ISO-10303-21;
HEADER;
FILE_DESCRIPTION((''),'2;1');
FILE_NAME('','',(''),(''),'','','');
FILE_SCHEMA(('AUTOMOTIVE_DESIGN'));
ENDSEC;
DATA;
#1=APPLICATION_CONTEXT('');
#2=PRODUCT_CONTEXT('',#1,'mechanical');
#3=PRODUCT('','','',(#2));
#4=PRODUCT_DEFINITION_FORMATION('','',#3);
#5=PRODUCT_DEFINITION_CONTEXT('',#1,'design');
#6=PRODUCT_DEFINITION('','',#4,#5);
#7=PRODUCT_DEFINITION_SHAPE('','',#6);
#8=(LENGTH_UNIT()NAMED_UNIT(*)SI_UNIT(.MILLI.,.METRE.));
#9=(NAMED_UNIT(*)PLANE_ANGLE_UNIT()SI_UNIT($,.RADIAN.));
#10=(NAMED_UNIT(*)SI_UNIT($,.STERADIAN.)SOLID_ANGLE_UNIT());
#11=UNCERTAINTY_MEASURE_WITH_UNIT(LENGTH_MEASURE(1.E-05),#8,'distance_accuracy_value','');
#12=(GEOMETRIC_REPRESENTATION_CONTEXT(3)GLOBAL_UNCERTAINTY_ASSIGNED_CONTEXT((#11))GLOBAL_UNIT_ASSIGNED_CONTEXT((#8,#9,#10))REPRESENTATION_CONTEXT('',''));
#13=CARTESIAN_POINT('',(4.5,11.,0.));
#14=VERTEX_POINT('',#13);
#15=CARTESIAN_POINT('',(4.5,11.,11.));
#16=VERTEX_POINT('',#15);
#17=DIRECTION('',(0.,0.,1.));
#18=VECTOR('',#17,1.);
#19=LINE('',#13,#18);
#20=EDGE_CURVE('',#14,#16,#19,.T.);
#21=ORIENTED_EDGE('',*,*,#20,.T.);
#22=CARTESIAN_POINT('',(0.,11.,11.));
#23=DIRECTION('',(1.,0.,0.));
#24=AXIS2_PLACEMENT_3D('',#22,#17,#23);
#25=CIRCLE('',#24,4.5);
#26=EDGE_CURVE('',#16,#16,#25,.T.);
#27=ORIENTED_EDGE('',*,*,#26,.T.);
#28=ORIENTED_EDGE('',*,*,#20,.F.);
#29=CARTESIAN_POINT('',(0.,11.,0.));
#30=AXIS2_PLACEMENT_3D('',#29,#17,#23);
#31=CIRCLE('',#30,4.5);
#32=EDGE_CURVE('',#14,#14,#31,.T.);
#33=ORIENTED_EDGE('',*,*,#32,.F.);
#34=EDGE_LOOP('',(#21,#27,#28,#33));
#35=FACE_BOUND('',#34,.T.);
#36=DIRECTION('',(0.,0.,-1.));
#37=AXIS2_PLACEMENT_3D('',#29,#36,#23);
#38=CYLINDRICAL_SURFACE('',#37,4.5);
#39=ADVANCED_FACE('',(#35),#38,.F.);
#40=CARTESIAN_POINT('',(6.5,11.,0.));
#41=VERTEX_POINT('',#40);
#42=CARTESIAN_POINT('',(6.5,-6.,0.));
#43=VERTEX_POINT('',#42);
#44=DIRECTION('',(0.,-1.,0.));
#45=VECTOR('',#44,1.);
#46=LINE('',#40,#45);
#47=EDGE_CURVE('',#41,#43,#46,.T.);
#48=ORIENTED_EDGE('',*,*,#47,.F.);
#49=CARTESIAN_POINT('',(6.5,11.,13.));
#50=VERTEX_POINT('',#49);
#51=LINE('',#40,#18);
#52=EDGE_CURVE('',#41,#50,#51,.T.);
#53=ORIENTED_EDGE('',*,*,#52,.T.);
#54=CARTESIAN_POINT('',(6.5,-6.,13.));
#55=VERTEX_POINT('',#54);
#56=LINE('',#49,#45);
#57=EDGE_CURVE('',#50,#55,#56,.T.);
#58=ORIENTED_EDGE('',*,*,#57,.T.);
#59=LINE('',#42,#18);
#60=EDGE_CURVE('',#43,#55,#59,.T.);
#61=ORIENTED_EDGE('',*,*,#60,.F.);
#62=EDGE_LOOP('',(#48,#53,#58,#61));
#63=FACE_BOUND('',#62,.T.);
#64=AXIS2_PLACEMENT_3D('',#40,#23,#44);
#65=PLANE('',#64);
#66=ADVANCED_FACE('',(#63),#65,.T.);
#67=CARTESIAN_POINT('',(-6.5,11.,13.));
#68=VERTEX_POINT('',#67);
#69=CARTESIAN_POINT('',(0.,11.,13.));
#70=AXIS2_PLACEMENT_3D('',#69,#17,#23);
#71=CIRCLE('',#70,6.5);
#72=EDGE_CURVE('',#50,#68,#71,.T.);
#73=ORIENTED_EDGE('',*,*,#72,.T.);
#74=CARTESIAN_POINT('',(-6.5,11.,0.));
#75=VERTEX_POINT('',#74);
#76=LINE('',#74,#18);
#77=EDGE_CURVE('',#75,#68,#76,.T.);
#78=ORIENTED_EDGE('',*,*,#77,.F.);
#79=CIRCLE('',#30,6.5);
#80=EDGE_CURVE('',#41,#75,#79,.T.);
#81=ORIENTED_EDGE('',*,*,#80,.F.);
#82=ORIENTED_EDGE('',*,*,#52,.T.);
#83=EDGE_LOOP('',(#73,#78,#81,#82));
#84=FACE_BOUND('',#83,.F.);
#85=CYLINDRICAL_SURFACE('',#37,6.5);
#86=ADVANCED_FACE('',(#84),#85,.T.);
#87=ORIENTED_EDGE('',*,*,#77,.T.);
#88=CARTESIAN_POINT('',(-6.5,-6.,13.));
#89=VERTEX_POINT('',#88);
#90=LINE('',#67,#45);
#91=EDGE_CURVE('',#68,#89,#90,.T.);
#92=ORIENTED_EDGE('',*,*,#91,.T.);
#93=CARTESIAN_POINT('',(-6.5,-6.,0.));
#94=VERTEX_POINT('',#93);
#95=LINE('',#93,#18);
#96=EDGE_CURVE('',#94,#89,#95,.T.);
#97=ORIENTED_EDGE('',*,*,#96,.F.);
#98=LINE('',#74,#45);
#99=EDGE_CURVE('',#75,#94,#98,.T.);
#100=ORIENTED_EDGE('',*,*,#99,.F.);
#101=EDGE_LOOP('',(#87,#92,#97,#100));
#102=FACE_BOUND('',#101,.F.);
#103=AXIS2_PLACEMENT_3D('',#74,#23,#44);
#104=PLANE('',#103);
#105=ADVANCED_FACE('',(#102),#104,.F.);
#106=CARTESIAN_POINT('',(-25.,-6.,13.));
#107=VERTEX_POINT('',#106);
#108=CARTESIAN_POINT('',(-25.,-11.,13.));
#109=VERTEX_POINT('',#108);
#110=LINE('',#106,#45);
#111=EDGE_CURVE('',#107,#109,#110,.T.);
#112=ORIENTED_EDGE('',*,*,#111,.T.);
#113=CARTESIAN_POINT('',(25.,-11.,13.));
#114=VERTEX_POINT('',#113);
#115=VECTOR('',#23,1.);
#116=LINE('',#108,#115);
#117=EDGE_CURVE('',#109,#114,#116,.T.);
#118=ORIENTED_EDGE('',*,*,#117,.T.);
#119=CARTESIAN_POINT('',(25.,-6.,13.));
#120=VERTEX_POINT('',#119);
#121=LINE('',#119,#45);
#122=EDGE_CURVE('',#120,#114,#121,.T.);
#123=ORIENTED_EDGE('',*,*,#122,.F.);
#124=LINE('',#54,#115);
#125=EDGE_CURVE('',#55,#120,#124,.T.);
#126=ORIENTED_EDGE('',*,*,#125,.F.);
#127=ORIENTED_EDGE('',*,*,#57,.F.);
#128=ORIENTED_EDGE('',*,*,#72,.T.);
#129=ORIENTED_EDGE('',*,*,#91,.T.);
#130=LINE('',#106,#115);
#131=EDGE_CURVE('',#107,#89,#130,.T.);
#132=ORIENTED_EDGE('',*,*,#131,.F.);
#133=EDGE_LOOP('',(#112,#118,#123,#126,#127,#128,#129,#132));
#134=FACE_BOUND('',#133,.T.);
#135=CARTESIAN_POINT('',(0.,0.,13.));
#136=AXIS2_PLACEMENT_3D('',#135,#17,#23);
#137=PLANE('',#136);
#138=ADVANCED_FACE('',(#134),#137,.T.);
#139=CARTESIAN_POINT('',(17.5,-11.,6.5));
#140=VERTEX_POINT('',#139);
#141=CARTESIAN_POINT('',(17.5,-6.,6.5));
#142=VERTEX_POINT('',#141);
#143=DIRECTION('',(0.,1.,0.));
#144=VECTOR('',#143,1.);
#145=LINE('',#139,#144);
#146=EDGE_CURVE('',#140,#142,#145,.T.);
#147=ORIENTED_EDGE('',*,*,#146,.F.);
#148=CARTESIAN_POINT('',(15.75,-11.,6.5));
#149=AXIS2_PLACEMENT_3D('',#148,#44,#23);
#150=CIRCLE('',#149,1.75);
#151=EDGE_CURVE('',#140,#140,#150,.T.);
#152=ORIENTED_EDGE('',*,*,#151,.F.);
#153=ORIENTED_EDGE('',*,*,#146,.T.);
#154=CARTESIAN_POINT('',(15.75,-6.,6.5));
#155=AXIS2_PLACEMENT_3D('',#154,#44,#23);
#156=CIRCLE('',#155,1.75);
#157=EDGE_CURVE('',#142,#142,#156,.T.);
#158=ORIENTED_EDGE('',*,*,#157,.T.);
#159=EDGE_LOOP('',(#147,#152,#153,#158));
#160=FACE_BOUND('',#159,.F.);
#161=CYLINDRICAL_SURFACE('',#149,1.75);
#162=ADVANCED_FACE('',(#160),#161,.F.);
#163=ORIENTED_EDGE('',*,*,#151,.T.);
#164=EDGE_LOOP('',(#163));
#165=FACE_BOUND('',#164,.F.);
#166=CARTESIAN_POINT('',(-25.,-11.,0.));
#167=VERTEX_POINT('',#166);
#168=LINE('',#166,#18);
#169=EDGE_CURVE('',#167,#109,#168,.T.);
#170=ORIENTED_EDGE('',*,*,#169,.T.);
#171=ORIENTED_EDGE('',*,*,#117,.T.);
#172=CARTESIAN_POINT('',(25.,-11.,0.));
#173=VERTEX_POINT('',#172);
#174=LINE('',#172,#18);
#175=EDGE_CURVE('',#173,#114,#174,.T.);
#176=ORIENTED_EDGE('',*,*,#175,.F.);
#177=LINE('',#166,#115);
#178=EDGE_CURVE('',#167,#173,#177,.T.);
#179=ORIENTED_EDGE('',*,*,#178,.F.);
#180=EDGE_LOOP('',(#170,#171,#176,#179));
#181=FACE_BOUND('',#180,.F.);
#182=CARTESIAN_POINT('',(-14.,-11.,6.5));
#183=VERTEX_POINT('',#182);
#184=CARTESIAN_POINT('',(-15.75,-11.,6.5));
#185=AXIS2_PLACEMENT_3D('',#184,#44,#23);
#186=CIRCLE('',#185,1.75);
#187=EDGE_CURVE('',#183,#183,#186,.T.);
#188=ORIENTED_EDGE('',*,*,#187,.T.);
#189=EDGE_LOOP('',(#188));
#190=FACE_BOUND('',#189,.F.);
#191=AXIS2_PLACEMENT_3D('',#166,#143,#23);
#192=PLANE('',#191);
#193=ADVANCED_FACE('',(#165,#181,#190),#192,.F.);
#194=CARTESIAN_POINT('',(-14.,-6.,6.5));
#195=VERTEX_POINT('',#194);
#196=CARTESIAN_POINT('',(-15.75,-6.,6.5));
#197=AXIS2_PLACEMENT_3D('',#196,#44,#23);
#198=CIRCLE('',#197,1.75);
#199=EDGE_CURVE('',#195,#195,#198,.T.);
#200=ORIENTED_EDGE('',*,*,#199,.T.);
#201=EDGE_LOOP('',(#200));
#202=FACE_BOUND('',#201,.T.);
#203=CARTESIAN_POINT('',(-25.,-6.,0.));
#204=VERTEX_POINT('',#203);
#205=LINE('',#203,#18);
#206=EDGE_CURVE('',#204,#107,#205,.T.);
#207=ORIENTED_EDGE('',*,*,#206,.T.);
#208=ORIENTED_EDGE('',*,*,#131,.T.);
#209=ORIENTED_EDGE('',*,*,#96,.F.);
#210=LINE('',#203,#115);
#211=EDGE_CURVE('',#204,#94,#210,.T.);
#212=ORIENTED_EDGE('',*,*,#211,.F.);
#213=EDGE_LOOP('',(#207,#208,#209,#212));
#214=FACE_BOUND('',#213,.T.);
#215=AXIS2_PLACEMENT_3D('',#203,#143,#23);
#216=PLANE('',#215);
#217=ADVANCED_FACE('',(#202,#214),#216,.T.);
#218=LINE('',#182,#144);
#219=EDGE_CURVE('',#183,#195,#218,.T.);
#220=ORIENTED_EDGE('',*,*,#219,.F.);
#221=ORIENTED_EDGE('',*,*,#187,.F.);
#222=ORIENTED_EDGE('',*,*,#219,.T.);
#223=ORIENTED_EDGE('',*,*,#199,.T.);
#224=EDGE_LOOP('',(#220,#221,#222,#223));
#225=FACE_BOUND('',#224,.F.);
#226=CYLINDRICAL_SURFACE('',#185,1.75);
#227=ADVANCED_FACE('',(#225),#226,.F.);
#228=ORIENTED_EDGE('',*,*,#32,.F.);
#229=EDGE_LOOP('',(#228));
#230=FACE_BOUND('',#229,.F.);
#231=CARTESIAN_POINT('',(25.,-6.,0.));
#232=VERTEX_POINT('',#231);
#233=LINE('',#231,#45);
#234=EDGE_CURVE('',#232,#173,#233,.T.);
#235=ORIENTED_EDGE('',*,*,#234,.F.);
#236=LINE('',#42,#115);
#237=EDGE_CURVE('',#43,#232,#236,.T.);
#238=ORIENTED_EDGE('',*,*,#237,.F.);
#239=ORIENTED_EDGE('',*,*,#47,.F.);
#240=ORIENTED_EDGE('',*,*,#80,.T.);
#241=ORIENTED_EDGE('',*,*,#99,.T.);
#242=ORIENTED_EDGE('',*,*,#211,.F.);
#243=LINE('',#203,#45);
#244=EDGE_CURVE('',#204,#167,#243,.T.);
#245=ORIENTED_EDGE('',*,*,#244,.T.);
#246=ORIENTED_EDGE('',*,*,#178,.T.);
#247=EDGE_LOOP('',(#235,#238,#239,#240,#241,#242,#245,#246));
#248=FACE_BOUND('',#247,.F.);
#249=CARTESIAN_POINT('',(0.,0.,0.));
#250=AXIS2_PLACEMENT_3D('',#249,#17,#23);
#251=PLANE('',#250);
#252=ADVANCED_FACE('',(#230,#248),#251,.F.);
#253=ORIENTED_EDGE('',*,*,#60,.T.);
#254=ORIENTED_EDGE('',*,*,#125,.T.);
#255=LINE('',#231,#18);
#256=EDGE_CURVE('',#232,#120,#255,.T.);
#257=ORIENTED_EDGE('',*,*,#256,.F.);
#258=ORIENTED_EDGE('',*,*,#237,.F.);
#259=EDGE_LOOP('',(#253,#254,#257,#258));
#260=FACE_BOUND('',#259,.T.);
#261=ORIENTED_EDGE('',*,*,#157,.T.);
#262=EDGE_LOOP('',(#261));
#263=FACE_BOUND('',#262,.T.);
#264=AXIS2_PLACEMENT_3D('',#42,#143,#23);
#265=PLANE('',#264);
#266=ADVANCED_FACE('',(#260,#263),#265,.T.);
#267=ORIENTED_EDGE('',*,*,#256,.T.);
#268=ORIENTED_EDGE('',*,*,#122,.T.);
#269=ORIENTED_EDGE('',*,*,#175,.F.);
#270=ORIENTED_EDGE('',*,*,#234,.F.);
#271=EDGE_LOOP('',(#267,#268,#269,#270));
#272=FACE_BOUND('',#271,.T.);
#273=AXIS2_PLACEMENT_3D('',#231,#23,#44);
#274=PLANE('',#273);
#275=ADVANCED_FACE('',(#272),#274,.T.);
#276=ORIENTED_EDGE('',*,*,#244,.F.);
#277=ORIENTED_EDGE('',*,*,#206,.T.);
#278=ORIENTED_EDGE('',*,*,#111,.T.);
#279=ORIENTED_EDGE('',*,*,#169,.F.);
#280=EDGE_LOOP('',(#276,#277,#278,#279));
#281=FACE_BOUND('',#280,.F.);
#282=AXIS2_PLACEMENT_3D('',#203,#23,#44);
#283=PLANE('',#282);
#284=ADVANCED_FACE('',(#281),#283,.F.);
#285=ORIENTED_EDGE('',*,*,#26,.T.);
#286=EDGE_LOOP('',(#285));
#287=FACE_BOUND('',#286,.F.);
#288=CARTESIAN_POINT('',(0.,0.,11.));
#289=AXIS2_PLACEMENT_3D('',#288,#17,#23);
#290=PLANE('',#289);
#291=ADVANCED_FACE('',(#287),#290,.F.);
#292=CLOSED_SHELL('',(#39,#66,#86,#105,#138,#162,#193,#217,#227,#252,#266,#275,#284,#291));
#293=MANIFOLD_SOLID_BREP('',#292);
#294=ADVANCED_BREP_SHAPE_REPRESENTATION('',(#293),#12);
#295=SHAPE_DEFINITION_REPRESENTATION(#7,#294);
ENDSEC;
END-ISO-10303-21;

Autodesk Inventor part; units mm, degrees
ref_plane "YZ Plane" through (0, 0, 0) normal (1, 0, 0) x (0, 1, 0)
ref_plane "XZ Plane" through (0, 0, 0) normal (0, 1, 0) x (-1, 0, 0)
sketch "Sketch1" plane through (0, 0, 0) normal (0, 0, 1) x (1, 0, 0)
  circle A0 centre (0, 11) radius 4 construction
  circle A1 centre (0, 11) radius 4.5
  line L0 (200.3677, 25.2343) -> (-185.7345, -79.2887) construction
  line L1 (200.3677, 25.2343) -> (210.1768, -11) construction
  line L2 (-204.2212, -11) -> (210.1768, -11) construction
  line L3 (-185.7345, -79.2887) -> (-204.2212, -11) construction
  arc A2 (6.5, 11) -> (-6.5, 11) centre (0, 11) ccw
  line L4 (6.5, 11) -> (6.5, -6)
  line L5 (-6.5, 11) -> (-6.5, -6)
  line L6 (25, -6) -> (25, -11)
  line L7 (-25, -6) -> (-25, -11)
  line L8 (-25, -11) -> (25, -11)
  line L9 (-25, -6) -> (-6.5, -6)
  line L10 (6.5, -6) -> (25, -6)
  point P0 (0, 0)
  dimension "d0" = 0.5
  dimension "d1" = 2
  dimension "d3" = 18.5
  dimension "d4" = 13
  dimension "d5" = 18.5
  dimension "d6" = 5
  dimension "d7" = 5
  dimension "d20" = 22
  dimension "d21" = 11
  dimension "d22" = 25
  dimension "d23" = 50
ref_plane "Work Plane1" through (-2, -2, 20) normal (0, 0, 1) x (1, 0, 0)
extrude "Tykkelse" add sketch "Sketch1" along normal blind 13
sketch "Sketch2" plane through (-25, -11, 0) normal (0, -1, 0) x (1, 0, 0)
  line L0 (0, 13) -> (50, 13) projected
  line L1 (0, 0) -> (0, 13) projected
  line L2 (18.5, 0) -> (0, 0) projected
  line L3 (0, 0) -> (0, 13) projected
  line L4 (18.5, 13) -> (0, 13) projected
  line L5 (18.5, 0) -> (18.5, 13) projected
  line L6 (50, 0) -> (31.5, 0) projected
  line L7 (31.5, 0) -> (31.5, 13) projected
  line L8 (50, 13) -> (31.5, 13) projected
  line L9 (50, 0) -> (50, 13) projected
  circle A0 centre (9.25, 6.5) radius 1.75
  circle A1 centre (40.75, 6.5) radius 1.75
  point P0 (25, 0)
  dimension "d10" = 3.5
  dimension "d11" = 3.5
  dimension "d12" = 9.25
  dimension "d13" = 9.25
  dimension "d14" = 6.5
  dimension "d15" = 6.5
  dimension "d16" = 9.25
  dimension "d17" = 6.5
extrude "Monteringshuller" cut sketch "Sketch2" against normal up to surface (5 mm away) contours A0 | A1
sketch "Sketch3" plane through (0, 0, 13) normal (0, 0, 1) x (1, 0, 0)
  circle A0 centre (0, 11) radius 4.5 construction
  arc A1 (6.5, 11) -> (-6.5, 11) centre (0, 11) ccw construction
  line L0 (-6.5, 11) -> (-6.5, -6) construction
  line L1 (-6.5, -6) -> (-25, -6) construction
  line L2 (-25, -6) -> (-25, -11) construction
  line L3 (-25, -11) -> (25, -11) construction
  line L4 (25, -11) -> (25, -6) construction
  line L5 (25, -6) -> (6.5, -6) construction
  line L6 (6.5, -6) -> (6.5, 11) construction
  circle A2 centre (0, 11) radius 4.5
  point P0 (0, 0)
extrude "Fyld hul" add sketch "Sketch3" against normal blind 2
equation "\"d5\" = d3"
equation "\"d7\" = d6"
equation "\"d21\" = 0.5 * d20"
equation "\"d22\" = 0.5 * d23"
equation "\"d11\" = d10"
equation "\"d12\" = d13"
equation "\"d14\" = d15"
equation "\"d16\" = d12"
equation "\"d17\" = d14"
properties part number "Z-Gevind-Holder" material "PC/ABS Plastic"
